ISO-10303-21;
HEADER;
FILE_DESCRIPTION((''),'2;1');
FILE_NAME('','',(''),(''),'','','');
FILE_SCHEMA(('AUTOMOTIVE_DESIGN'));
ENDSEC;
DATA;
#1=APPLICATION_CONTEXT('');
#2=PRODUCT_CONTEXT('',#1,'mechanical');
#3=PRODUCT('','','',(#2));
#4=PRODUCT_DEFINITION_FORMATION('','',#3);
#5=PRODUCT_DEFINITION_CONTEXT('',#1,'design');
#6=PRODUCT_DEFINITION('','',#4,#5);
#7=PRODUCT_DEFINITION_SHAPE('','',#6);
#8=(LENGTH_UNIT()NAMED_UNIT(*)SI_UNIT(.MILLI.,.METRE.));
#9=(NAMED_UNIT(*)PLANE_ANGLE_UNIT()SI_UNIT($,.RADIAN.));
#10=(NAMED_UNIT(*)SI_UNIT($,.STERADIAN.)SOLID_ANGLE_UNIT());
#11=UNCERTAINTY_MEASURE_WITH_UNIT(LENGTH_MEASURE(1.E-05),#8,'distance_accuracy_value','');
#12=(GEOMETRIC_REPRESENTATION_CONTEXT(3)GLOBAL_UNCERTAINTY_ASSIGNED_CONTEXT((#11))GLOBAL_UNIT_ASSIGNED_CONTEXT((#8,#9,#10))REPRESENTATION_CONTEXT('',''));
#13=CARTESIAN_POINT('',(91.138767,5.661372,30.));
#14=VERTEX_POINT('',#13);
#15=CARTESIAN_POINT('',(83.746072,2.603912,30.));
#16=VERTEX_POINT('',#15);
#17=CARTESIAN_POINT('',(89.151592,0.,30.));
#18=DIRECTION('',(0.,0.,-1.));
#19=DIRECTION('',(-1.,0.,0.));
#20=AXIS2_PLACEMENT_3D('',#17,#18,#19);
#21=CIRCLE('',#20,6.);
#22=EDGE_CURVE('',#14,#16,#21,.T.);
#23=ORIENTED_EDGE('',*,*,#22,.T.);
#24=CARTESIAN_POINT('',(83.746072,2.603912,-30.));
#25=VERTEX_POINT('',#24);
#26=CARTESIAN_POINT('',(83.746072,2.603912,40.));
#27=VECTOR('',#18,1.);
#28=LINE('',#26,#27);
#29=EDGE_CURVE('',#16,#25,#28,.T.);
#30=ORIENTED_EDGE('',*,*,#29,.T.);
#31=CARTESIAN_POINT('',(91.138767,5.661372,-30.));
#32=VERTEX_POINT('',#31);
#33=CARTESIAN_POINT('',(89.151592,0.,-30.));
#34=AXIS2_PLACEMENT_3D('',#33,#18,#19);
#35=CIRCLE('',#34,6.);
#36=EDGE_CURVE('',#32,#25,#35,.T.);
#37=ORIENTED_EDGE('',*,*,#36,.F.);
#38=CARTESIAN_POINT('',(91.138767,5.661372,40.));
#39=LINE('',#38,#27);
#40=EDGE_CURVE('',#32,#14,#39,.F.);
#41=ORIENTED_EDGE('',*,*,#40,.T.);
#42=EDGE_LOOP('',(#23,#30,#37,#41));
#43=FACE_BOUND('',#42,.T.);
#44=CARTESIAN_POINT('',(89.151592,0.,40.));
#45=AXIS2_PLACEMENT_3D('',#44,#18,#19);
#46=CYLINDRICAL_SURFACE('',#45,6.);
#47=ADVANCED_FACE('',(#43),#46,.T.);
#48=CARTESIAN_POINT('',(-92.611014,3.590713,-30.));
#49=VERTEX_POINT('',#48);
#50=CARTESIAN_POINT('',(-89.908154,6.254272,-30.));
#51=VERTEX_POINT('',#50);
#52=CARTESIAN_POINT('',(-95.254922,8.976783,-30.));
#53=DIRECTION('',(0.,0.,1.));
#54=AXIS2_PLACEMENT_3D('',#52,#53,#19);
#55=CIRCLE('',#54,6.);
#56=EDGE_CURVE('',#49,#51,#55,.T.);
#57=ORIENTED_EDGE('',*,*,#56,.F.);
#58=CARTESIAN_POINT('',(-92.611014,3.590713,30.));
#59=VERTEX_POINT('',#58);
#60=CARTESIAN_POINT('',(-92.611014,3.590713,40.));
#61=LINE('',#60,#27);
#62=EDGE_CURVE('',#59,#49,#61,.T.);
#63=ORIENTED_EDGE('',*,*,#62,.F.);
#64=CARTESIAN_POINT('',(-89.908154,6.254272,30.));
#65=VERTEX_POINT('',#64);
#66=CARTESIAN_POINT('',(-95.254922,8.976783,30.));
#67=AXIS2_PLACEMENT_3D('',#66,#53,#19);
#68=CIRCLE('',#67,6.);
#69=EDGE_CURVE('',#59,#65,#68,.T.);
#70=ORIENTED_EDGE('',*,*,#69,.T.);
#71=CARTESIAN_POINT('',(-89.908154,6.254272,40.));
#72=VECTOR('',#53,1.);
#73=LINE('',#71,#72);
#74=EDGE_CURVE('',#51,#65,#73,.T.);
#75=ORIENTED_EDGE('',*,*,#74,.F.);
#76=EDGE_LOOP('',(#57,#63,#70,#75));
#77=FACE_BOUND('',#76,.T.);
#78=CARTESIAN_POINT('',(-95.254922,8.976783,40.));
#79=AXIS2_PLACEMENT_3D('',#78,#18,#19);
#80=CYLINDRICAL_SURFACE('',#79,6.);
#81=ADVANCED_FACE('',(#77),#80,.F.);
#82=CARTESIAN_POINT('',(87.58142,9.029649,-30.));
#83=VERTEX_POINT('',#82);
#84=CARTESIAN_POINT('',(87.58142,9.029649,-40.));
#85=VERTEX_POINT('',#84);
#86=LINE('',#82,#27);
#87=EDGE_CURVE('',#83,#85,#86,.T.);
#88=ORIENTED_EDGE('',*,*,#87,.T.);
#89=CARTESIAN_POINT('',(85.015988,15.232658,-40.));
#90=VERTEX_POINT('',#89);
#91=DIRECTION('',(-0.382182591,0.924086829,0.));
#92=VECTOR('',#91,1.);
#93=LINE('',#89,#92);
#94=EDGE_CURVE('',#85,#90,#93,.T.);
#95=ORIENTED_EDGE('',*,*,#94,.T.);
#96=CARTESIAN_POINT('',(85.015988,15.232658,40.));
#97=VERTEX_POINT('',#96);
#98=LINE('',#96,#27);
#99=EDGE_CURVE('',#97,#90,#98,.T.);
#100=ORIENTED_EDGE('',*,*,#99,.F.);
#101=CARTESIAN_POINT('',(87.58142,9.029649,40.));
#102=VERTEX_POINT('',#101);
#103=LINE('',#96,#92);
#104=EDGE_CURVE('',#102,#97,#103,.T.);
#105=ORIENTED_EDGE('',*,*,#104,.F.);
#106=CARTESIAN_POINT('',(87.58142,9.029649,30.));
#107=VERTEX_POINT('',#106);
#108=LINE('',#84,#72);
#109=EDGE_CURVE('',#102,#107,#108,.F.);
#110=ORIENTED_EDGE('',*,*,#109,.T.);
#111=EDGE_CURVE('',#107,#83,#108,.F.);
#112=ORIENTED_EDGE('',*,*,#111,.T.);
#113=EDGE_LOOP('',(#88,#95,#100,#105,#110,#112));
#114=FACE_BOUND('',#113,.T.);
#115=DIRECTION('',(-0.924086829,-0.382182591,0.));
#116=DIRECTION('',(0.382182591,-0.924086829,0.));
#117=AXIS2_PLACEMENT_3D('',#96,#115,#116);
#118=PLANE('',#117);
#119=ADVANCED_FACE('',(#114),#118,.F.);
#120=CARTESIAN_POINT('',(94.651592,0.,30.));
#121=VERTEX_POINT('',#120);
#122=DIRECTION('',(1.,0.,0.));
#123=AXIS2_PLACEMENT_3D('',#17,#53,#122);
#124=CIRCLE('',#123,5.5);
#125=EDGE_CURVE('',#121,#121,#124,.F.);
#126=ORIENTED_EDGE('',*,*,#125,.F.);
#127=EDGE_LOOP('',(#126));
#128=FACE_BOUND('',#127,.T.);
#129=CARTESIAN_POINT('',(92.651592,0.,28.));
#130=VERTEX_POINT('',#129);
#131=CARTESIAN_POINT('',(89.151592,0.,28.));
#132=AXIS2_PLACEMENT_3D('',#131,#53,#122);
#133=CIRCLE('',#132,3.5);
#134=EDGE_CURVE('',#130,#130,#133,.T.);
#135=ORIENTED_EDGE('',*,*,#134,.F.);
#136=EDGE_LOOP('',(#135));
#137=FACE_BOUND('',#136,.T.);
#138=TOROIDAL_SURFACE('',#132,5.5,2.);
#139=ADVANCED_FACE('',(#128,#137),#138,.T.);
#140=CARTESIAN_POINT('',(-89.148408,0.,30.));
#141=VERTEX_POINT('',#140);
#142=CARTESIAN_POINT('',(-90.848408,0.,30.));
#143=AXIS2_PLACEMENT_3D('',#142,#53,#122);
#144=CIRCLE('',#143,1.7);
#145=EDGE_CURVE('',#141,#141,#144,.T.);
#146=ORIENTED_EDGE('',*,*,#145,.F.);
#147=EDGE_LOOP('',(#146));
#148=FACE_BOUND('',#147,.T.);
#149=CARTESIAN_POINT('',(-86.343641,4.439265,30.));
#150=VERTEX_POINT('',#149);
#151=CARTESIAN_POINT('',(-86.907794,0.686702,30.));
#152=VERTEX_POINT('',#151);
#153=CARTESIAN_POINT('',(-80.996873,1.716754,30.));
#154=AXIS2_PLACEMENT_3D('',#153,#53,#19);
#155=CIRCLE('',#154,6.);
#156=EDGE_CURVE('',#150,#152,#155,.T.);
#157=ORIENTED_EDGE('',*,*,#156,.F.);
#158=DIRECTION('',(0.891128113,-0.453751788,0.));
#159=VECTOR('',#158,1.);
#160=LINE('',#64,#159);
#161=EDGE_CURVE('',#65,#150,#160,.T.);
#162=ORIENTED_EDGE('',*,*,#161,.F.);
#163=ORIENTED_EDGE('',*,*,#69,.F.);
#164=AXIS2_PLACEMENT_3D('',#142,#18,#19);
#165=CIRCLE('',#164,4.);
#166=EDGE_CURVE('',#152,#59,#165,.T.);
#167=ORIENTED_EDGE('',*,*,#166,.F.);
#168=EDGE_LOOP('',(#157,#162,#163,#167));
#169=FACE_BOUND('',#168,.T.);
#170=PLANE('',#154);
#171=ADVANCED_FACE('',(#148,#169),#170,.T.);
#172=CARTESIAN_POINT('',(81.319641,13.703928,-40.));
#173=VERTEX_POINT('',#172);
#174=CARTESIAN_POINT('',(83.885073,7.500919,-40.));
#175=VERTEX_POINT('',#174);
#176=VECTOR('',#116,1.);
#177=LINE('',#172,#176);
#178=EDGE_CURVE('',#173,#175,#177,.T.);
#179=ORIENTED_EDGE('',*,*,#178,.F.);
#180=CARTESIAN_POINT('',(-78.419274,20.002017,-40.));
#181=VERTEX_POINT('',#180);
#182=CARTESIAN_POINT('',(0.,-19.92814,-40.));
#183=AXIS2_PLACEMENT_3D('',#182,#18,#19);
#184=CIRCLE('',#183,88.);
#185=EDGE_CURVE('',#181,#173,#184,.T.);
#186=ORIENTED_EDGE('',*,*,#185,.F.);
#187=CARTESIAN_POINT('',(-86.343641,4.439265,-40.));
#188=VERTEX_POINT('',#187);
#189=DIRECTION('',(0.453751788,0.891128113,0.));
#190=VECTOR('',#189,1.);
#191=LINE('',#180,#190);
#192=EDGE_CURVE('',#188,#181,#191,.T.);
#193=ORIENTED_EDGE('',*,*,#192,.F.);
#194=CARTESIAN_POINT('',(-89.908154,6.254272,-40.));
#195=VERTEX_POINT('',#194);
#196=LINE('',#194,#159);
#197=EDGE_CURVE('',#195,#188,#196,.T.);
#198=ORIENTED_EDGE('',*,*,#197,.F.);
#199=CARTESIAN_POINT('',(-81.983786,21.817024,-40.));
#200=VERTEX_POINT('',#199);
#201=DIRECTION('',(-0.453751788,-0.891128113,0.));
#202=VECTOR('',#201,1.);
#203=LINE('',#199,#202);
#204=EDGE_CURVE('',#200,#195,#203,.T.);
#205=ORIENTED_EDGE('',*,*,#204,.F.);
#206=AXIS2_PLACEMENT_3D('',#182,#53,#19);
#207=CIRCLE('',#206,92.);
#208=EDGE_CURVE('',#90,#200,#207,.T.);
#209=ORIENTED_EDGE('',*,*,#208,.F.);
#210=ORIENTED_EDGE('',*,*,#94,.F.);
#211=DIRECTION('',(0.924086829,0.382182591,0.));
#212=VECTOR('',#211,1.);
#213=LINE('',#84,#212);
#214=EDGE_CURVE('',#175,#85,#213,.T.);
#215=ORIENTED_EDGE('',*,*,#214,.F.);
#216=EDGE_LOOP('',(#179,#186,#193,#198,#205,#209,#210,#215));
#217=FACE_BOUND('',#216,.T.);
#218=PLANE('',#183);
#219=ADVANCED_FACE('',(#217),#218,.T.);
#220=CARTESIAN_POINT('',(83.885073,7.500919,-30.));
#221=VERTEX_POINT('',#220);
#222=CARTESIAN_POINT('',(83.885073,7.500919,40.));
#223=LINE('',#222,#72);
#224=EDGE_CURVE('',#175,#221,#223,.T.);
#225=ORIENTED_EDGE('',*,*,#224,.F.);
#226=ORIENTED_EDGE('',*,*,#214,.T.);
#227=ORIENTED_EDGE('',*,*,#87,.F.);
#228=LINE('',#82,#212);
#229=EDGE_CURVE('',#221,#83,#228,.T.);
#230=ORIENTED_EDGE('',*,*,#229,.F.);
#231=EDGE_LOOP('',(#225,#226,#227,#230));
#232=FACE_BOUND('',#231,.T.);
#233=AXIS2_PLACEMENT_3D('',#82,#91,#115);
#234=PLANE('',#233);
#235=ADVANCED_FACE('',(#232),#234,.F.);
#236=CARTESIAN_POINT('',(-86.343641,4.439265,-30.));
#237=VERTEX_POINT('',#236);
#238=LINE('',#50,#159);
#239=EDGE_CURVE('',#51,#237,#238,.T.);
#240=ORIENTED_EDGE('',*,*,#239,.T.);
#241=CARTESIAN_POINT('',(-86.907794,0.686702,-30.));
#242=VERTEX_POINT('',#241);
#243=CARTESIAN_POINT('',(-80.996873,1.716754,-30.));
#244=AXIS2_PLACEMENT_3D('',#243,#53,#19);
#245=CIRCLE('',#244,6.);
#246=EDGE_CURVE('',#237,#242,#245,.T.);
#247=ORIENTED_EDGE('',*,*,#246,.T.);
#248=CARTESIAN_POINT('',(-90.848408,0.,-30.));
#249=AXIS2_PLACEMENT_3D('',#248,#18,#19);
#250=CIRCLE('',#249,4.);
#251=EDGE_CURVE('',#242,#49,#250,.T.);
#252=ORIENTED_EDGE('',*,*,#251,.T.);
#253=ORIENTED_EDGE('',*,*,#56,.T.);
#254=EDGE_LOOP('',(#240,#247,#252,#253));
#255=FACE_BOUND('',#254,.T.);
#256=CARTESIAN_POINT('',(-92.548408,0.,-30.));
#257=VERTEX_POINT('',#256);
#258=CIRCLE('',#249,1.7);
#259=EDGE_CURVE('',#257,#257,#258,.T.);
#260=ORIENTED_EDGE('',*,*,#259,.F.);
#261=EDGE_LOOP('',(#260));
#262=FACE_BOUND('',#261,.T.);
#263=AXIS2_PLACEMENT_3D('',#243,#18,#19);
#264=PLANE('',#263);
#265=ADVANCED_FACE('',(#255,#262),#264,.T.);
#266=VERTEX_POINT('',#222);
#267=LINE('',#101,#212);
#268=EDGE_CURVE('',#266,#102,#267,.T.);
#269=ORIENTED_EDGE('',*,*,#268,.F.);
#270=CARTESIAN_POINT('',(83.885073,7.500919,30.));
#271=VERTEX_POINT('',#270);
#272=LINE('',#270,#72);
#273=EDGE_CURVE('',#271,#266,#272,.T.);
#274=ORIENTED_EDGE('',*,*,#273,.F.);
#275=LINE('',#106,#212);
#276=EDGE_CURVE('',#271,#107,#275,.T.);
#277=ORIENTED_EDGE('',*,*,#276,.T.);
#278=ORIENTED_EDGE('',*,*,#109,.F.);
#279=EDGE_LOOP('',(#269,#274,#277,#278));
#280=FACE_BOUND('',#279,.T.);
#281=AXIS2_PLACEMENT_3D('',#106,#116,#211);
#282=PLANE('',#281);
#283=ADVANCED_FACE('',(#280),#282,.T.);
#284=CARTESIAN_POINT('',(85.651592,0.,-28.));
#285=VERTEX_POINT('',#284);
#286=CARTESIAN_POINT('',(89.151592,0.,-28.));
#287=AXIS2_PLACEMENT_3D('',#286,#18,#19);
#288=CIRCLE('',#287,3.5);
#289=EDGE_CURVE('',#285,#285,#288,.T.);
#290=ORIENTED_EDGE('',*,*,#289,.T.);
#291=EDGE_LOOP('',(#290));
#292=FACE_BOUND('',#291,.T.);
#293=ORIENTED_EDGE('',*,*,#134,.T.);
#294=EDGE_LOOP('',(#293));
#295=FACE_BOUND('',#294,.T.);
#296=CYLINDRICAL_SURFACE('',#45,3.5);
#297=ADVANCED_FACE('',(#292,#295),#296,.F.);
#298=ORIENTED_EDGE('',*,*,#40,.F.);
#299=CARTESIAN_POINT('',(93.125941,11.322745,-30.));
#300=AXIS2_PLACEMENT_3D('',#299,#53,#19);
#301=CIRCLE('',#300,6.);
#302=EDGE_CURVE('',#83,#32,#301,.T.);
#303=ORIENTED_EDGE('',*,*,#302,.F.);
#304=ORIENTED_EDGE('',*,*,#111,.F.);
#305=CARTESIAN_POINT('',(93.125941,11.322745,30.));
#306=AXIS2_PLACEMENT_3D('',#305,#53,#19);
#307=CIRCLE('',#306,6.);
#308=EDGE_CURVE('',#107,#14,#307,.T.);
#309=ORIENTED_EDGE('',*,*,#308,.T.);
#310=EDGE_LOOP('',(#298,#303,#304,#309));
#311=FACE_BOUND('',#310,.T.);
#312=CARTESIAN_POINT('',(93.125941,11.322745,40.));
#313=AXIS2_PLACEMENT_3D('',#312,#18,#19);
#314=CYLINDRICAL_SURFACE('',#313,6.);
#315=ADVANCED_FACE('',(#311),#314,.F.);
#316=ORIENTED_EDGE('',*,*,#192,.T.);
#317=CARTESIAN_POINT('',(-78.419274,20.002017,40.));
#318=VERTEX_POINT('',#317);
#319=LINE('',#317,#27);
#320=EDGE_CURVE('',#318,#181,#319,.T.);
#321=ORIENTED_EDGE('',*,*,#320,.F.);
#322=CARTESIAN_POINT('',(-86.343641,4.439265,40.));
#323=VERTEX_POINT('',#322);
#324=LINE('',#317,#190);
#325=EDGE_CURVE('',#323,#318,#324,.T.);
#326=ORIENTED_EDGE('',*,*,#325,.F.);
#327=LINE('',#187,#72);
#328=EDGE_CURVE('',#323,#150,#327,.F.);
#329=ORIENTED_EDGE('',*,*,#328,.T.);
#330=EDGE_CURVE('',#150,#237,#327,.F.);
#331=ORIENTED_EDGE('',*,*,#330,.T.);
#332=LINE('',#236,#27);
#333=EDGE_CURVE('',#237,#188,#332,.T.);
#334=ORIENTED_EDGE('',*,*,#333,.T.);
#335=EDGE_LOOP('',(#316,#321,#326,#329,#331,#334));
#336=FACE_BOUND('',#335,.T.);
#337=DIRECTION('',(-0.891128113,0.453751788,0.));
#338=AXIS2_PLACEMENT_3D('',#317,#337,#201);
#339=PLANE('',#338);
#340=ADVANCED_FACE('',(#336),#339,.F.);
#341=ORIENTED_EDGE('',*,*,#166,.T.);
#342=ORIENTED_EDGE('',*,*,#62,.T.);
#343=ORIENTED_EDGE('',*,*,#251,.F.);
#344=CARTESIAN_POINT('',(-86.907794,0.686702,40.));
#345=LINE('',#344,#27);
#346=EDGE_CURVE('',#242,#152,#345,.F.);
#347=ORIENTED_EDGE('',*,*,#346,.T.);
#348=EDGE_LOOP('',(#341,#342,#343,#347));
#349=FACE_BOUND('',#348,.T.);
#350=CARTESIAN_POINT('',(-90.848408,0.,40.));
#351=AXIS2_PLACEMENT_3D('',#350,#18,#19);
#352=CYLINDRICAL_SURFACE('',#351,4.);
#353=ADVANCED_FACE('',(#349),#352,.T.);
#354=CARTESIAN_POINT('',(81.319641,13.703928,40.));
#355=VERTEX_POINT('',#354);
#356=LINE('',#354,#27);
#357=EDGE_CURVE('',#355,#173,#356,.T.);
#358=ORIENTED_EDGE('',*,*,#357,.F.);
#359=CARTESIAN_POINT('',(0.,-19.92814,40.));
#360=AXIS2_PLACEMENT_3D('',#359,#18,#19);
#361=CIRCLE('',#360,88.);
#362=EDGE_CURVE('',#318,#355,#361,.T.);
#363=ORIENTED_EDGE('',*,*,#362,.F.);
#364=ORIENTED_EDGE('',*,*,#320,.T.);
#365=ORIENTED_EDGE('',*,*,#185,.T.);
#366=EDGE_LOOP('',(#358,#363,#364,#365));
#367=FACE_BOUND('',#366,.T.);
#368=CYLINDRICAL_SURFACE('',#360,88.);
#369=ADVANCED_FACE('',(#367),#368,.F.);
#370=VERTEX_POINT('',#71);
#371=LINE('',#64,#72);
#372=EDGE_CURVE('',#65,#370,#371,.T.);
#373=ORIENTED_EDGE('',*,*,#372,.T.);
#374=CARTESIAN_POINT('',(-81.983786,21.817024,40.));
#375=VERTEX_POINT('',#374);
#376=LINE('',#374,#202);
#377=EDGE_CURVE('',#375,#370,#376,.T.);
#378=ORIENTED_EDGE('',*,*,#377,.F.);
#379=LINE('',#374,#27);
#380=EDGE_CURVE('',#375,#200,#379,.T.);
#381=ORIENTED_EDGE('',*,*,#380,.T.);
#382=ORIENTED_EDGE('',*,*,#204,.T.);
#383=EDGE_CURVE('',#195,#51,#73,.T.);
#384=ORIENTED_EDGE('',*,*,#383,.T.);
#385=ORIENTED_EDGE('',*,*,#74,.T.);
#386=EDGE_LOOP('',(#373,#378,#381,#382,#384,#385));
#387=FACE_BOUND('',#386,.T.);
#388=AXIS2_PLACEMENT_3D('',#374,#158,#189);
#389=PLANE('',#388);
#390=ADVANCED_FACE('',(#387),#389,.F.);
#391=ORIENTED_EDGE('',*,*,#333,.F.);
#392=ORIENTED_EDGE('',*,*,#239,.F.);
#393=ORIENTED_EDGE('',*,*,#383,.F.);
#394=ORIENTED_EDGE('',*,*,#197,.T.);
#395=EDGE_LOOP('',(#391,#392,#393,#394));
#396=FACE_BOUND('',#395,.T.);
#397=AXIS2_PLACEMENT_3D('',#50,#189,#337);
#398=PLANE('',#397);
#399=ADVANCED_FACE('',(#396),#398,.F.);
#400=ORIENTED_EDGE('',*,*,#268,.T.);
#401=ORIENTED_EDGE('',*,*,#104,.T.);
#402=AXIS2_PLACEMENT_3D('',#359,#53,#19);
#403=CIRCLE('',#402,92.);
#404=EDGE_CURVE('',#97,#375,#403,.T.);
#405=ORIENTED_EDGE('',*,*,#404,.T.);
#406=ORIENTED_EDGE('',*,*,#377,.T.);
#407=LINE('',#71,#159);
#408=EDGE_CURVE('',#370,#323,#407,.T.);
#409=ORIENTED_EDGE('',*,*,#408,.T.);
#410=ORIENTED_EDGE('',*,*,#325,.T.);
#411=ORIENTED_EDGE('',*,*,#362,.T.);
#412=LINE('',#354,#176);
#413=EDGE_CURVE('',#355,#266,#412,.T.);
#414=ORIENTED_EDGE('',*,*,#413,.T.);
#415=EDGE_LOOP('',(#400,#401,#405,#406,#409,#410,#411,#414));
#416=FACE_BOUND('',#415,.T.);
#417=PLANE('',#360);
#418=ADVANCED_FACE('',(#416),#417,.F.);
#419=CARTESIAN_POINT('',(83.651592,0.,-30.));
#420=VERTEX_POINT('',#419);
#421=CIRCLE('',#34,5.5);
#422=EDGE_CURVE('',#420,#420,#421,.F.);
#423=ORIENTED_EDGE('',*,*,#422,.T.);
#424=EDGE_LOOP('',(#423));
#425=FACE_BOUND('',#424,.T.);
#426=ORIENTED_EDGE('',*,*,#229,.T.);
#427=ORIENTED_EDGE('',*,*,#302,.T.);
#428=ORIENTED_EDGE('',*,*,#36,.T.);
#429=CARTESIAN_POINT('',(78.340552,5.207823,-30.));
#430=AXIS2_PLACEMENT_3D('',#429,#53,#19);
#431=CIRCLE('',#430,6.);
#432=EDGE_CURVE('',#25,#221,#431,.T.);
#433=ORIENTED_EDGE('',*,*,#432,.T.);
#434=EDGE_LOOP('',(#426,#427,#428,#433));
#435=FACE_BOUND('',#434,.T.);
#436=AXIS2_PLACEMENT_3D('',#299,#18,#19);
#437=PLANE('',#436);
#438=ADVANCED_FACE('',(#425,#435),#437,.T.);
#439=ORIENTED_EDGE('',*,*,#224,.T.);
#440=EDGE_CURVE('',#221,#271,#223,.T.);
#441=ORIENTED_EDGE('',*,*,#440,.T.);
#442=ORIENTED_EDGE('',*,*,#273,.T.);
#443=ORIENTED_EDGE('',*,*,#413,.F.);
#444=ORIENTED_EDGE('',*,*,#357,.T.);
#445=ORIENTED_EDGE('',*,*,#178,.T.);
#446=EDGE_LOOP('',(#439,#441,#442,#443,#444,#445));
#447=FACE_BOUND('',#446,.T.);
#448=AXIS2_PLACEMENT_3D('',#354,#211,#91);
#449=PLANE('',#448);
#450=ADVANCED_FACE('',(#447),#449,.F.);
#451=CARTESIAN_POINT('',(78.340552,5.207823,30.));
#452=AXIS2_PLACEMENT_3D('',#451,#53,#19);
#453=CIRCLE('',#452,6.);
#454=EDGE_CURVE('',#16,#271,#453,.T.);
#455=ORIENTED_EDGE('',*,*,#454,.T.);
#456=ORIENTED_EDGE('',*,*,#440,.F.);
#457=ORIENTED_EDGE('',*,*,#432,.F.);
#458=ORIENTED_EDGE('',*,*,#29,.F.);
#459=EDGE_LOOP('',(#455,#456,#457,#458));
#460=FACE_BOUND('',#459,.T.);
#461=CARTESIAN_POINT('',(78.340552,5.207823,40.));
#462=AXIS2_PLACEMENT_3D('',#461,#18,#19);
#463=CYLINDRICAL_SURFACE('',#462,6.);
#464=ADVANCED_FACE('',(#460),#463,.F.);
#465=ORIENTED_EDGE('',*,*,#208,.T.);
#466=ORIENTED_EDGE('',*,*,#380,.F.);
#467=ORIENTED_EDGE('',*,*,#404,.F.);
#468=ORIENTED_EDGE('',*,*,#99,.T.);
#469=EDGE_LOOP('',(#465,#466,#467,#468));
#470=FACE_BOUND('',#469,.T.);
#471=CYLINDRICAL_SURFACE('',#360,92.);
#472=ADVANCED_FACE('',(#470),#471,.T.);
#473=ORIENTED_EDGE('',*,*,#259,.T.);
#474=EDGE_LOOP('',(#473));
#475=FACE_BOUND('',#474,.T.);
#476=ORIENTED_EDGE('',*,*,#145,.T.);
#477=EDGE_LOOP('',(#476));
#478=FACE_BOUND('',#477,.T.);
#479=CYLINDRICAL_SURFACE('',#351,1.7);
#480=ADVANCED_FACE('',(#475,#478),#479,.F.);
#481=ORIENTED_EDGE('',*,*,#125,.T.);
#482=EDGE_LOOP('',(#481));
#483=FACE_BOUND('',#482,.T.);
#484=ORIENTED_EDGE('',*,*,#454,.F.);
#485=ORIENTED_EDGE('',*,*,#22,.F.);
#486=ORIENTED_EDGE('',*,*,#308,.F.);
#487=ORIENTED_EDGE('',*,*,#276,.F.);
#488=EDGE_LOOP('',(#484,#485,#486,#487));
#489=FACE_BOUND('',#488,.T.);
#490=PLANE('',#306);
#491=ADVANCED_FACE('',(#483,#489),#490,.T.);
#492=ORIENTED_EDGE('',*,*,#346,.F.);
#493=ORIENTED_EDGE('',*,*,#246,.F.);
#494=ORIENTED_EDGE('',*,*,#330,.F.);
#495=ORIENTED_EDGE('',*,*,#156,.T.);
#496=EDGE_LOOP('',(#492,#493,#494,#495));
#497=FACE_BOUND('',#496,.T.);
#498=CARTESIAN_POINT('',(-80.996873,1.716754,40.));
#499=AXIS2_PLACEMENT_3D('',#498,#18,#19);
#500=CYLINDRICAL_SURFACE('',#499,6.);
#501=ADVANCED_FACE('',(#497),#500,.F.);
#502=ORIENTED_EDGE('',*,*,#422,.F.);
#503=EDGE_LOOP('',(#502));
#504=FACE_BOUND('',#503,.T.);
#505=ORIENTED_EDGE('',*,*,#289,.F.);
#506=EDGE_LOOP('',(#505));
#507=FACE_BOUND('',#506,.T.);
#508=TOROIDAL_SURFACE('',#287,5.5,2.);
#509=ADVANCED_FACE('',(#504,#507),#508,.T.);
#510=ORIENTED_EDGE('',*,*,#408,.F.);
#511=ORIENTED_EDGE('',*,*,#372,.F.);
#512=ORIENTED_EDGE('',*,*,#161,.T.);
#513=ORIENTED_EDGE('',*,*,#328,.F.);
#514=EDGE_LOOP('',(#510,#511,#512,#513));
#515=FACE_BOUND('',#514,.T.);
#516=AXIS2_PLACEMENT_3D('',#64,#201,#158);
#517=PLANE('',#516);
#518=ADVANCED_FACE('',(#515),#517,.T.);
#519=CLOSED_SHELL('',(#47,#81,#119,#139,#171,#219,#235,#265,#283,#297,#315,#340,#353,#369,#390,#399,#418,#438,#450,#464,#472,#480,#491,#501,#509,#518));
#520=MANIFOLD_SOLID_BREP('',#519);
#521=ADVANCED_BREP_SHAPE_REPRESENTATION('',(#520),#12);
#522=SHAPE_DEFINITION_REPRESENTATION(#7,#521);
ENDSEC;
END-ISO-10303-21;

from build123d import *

# Parameters (mm, degrees)
CROQUIS1_R              = 1.7
CROQUIS1_R_2            = 3.5
SALIENTE_EXTRUIR1_DEPTH = 40
REDONDEO1_R             = 6
CORTAR_EXTRUIR1_DEPTH   = 10
REDONDEO2_R             = 2


with BuildPart() as part:
    # Croquis1 → Saliente-Extruir1 (new body, symmetric)
    with BuildSketch(Plane.XY):
        with BuildLine():
            Line((-78.419273977, 20.002017027), (-87.494309747, 2.17945476))
            ThreePointArc((-87.494309747, 2.17945476), (-92.663415431, -3.564512453), (-91.0588222, 3.994461914))
            Line((-91.0588222, 3.994461914), (-81.98378643, 21.817024181))
            ThreePointArc((-81.98378643, 21.817024181), (3.624504321, 72.000435004), (85.015988263, 15.232657976))
            Line((85.015988263, 15.232657976), (88.837814169, 5.991789686))
            ThreePointArc((88.837814169, 5.991789686), (91.444687267, -5.544520974), (85.141466854, 4.463059324))
            Line((85.141466854, 4.463059324), (81.319640948, 13.703927614))
            ThreePointArc((81.319640948, 13.703927614), (3.466917176, 68.003540423), (-78.419273977, 20.002017027))
        make_face()
        with Locations((-90.848408277, 0)):
            Circle(CROQUIS1_R, mode=Mode.SUBTRACT)
        with Locations((89.151591723, 0)):
            Circle(CROQUIS1_R_2, mode=Mode.SUBTRACT)
    extrude(amount=SALIENTE_EXTRUIR1_DEPTH, both=True)

    # Redondeo1
    redondeo1_edges = [part.edges().sort_by_distance(p)[0] for p in [
        (-87.494309747, 2.17945476, 0),
        (-91.0588222, 3.994461914, 0),
        (88.837814169, 5.991789686, 0),
        (85.141466854, 4.463059324, 0),
    ]]
    fillet(redondeo1_edges, radius=REDONDEO1_R)

    # Croquis2 → Cortar-Extruir1 (cut)
    with BuildSketch(Plane(origin=(0, 0, -40), x_dir=(-1, 0, 0), z_dir=(0, 0, -1))):
        with BuildLine():
            Line((89.908153773, 6.254272257), (86.343641319, 4.439265103))
            ThreePointArc((86.343641319, 4.439265103), (86.930196271, 2.608758116), (86.907794022, 0.686701749))
            ThreePointArc((86.907794022, 0.686701749), (92.663415431, -3.564512453), (92.611013947, 3.590713195))
            ThreePointArc((92.611013947, 3.590713195), (91.043465794, 4.703185814), (89.908153773, 6.254272257))
        make_face()
        with BuildLine():
            Line((-87.581420372, 9.029649048), (-83.885073056, 7.500918685))
            ThreePointArc((-83.885073056, 7.500918685), (-84.338136431, 5.037582192), (-83.746071903, 2.603911571))
            ThreePointArc((-83.746071903, 2.603911571), (-91.444687267, -5.544520974), (-91.138766534, 5.661372296))
            ThreePointArc((-91.138766534, 5.661372296), (-89.000661668, 6.965903123), (-87.581420372, 9.029649048))
        make_face()
    cortar_extruir1 = extrude(amount=-CORTAR_EXTRUIR1_DEPTH, mode=Mode.SUBTRACT)

    # Simetría1: Cortar-Extruir1 across plane
    add(cortar_extruir1.mirror(Plane.XY), mode=Mode.SUBTRACT)

    # Redondeo2
    redondeo2_edges = [part.edges().sort_by_distance(p)[0] for p in [
        (85.651591723, 0, 30),
        (85.651591723, 0, -30),
    ]]
    fillet(redondeo2_edges, radius=REDONDEO2_R)


solid = part.part
